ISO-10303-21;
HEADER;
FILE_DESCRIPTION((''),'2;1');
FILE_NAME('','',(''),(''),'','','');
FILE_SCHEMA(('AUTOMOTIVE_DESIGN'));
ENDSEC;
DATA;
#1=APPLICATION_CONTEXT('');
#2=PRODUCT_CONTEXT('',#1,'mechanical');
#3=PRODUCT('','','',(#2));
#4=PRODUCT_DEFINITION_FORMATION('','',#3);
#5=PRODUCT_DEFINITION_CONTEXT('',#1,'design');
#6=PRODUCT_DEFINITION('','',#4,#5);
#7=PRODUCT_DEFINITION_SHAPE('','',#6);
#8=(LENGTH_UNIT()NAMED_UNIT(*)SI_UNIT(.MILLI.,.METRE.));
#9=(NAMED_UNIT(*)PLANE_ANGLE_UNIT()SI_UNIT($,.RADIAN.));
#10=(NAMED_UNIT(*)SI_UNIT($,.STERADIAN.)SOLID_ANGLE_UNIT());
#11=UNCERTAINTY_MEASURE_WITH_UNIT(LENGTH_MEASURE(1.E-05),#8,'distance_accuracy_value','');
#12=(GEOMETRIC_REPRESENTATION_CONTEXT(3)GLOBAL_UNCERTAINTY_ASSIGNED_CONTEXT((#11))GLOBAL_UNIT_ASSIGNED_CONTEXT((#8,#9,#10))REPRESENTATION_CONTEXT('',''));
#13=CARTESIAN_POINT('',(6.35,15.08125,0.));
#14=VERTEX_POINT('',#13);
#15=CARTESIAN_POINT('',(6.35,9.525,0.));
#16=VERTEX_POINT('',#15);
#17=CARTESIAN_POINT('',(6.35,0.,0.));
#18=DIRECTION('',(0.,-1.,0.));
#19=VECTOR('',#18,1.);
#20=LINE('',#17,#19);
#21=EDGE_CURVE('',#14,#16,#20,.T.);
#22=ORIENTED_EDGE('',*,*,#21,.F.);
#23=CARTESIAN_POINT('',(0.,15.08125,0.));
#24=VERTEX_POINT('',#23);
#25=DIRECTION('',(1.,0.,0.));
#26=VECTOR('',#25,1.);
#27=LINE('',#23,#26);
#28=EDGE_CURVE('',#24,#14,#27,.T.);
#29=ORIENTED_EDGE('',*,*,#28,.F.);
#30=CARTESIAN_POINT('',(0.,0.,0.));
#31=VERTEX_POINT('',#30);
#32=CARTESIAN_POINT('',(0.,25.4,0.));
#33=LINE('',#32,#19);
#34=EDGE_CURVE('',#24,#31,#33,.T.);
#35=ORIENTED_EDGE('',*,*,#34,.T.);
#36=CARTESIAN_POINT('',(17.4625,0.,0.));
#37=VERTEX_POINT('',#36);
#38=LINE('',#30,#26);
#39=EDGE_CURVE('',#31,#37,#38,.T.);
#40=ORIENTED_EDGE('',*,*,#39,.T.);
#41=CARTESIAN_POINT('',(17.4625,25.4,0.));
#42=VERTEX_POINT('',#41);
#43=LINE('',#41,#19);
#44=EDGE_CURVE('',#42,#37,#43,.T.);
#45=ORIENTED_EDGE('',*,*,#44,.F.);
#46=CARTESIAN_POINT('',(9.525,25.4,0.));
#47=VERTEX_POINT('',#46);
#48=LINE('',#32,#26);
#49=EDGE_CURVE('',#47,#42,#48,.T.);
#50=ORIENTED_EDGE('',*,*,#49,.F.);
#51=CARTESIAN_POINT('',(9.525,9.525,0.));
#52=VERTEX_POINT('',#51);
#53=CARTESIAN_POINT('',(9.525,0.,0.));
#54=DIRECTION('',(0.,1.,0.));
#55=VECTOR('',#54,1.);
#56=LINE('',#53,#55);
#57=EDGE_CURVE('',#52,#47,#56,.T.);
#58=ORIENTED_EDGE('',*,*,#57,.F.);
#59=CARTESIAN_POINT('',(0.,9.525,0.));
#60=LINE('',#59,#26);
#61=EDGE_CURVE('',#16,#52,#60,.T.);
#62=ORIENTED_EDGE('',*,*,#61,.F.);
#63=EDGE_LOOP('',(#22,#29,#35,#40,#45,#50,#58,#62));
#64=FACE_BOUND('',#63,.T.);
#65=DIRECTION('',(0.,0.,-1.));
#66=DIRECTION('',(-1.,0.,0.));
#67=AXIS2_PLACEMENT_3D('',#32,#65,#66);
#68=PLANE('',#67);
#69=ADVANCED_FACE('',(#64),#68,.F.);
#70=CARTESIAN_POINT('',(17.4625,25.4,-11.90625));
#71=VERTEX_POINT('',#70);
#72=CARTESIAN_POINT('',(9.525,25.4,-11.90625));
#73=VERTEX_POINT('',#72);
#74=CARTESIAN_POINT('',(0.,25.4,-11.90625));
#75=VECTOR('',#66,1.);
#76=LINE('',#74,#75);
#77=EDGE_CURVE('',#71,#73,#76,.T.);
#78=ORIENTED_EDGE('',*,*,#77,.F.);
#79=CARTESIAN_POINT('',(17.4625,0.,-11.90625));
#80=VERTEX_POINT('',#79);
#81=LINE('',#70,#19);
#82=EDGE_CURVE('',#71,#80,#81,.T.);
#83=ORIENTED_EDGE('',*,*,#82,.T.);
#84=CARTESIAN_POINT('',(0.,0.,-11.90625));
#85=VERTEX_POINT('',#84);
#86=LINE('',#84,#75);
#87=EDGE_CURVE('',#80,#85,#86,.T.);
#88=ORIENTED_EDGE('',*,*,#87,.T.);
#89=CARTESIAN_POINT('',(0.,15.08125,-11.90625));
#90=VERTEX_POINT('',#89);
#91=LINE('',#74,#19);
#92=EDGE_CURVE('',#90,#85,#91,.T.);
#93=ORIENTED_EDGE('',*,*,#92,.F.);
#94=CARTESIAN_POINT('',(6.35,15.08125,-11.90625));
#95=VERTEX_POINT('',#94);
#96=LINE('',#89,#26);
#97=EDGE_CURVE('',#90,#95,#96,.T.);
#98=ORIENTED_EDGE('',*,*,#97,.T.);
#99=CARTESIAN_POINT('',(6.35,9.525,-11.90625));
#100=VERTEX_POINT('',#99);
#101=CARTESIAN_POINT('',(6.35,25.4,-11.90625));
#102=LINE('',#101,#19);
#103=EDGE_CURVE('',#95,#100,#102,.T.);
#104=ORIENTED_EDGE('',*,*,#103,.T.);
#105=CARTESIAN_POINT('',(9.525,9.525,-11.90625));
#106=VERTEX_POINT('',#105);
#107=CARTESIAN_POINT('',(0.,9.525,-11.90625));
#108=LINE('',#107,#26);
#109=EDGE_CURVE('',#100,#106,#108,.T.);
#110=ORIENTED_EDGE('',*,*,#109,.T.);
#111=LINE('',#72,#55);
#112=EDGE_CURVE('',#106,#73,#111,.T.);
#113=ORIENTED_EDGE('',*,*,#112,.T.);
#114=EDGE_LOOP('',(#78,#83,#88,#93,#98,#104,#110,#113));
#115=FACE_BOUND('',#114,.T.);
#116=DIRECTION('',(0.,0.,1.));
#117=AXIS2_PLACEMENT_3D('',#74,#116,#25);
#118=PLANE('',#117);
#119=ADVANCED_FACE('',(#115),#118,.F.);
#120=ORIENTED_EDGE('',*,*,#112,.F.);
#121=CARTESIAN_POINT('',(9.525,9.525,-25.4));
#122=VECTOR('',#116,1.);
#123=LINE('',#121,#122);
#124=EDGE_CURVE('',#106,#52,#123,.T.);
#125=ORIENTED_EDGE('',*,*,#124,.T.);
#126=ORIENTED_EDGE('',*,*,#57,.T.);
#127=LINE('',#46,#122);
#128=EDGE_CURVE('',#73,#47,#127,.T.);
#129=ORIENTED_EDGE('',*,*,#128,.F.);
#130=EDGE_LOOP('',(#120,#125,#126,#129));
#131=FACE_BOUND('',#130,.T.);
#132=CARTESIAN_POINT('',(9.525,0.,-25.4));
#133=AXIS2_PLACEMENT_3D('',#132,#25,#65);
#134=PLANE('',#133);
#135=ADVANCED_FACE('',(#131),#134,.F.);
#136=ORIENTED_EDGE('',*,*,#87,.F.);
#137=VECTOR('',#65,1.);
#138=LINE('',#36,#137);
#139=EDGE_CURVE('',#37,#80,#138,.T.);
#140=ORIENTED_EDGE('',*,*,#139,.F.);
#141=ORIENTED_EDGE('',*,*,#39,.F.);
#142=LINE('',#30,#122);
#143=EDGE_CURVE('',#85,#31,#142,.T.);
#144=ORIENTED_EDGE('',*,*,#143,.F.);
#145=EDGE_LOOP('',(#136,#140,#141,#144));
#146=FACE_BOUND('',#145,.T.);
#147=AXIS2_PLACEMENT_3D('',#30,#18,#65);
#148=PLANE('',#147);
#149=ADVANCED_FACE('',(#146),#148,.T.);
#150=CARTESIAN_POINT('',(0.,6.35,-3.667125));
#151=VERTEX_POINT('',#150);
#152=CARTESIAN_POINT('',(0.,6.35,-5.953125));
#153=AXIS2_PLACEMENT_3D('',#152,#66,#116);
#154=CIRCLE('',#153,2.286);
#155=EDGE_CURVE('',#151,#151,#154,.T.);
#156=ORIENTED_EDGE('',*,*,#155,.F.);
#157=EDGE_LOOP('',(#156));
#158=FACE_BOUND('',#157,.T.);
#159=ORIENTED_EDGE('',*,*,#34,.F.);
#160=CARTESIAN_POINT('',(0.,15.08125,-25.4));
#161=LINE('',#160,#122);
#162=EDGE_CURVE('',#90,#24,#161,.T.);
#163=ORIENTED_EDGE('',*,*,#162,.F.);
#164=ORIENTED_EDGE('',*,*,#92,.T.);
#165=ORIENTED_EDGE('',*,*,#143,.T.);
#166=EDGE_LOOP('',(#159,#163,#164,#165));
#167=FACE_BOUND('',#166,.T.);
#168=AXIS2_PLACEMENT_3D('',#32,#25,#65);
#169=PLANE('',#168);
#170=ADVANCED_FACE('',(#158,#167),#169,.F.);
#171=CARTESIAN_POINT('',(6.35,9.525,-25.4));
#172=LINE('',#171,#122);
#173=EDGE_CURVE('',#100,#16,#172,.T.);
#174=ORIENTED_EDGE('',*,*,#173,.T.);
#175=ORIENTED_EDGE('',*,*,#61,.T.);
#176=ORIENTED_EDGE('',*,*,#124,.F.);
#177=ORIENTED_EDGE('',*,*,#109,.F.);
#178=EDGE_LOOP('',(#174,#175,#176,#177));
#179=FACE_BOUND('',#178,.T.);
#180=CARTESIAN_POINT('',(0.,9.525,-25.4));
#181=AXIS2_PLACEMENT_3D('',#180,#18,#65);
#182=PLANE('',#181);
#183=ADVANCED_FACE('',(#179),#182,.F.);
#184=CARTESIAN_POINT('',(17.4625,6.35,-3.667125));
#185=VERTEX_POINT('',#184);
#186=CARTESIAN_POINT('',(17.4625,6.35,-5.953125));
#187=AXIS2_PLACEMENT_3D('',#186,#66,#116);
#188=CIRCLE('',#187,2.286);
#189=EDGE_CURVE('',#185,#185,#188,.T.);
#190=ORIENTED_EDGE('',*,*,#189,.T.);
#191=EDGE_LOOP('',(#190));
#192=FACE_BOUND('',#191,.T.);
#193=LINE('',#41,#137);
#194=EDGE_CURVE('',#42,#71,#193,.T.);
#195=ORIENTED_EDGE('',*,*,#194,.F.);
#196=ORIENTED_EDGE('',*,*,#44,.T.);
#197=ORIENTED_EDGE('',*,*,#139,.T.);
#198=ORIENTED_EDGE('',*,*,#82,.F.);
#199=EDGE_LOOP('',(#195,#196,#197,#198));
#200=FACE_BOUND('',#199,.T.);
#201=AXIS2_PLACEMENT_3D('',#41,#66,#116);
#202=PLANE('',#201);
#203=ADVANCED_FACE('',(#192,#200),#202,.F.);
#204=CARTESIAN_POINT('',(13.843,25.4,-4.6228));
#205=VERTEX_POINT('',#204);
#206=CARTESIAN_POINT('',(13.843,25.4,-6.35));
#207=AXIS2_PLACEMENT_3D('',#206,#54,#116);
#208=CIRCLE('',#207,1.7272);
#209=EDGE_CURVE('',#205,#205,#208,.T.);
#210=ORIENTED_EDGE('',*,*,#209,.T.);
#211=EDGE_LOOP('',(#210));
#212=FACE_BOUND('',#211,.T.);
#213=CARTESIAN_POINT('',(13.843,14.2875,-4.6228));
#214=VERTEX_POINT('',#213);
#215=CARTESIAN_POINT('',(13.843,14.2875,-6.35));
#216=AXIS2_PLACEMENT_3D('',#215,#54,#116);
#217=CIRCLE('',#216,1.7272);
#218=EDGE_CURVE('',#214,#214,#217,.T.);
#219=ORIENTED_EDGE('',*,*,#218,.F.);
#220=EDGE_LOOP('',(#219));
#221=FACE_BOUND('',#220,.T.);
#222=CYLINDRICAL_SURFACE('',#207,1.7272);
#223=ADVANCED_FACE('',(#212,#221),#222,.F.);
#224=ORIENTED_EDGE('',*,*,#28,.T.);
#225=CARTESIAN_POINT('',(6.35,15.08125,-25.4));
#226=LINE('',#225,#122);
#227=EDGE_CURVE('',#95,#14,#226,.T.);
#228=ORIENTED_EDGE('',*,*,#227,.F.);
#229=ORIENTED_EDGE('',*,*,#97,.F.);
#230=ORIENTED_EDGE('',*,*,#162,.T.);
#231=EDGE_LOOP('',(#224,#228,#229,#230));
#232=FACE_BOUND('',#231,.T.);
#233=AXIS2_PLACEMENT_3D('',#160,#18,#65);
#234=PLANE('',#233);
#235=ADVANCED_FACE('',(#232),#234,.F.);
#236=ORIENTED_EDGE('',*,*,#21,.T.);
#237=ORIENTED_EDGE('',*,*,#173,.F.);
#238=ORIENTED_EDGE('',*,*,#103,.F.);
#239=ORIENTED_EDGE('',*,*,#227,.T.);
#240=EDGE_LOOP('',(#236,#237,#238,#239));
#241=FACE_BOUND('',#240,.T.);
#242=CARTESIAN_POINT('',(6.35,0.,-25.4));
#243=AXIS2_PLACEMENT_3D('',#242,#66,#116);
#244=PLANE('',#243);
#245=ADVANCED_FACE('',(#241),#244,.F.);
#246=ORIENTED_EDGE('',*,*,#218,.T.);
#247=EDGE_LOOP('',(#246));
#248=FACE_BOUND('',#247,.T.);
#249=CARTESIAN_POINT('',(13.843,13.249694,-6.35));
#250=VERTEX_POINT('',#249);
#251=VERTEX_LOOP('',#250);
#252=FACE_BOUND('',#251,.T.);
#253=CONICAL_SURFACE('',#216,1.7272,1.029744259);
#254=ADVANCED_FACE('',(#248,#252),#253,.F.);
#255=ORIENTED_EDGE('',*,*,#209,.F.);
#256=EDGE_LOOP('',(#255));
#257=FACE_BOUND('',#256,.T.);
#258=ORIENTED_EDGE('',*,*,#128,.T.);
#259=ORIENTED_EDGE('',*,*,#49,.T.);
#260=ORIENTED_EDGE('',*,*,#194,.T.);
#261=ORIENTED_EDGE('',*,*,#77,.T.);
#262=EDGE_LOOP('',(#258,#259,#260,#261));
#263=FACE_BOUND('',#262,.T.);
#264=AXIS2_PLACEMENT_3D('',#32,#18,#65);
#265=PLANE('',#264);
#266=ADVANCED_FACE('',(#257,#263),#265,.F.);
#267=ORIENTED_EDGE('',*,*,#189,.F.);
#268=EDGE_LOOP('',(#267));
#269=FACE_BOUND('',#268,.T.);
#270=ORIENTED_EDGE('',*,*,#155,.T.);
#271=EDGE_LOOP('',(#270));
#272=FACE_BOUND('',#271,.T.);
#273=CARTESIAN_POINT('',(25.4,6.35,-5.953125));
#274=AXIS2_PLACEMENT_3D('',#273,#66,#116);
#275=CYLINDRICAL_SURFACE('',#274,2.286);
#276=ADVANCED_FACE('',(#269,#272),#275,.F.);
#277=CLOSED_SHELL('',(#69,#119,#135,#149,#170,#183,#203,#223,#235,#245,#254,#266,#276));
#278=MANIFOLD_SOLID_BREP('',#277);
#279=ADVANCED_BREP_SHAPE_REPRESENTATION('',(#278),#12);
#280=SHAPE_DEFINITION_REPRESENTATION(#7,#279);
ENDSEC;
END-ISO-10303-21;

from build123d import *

# Parameters (mm, degrees)
SKETCH1_W                 = 17.4625
SKETCH1_H                 = 11.90625
BOSS_EXTRUDE1_DEPTH       = 25.4
SKETCH2_W                 = 3.175
SKETCH2_H                 = 5.55625
CUT_EXTRUDE1_DEPTH        = 25.4
SKETCH4_R                 = 2.286
CUT_EXTRUDE2_DEPTH        = 25.4
F_8_32_TAPPED_HOLE1_D     = 3.4544
F_8_32_TAPPED_HOLE1_DEPTH = 11.1125
F_8_32_TAPPED_HOLE1_TIP   = 1.037806461


with BuildPart() as part:
    # Sketch1 → Boss-Extrude1 (new body)
    with BuildSketch(Plane(origin=(0, 0, 0), x_dir=(1, 0, 0), z_dir=(0, 1, 0))):
        with Locations((8.73125, 5.953125)):
            Rectangle(SKETCH1_W, SKETCH1_H)
    extrude(amount=BOSS_EXTRUDE1_DEPTH)

    # Sketch2 → Cut-Extrude1 (cut)
    with BuildSketch(Plane.XY):
        Polygon((0, 15.08125), (6.35, 15.08125), (9.525, 15.08125), (9.525, 25.4), (0, 25.4), align=None)
        with Locations((7.9375, 12.303125)):
            Rectangle(SKETCH2_W, SKETCH2_H)
    extrude(amount=-CUT_EXTRUDE1_DEPTH, mode=Mode.SUBTRACT)

    # Sketch4 → Cut-Extrude2 (cut)
    with BuildSketch(Plane.ZY):
        with Locations((-5.953125, 6.35)):
            Circle(SKETCH4_R)
    extrude(amount=-CUT_EXTRUDE2_DEPTH, mode=Mode.SUBTRACT)

    # #8-32 Tapped Hole1
    with Locations(Plane(origin=(0, 25.4, 0), x_dir=(1, 0, 0), z_dir=(0, 1, 0))):
        with Locations((13.843, 6.35)):
            Hole(F_8_32_TAPPED_HOLE1_D / 2, depth=F_8_32_TAPPED_HOLE1_DEPTH)
            with Locations((0, 0, -(F_8_32_TAPPED_HOLE1_DEPTH + F_8_32_TAPPED_HOLE1_TIP / 2))):  # 118° drill point
                Cone(0, F_8_32_TAPPED_HOLE1_D / 2, F_8_32_TAPPED_HOLE1_TIP, mode=Mode.SUBTRACT)


solid = part.part
